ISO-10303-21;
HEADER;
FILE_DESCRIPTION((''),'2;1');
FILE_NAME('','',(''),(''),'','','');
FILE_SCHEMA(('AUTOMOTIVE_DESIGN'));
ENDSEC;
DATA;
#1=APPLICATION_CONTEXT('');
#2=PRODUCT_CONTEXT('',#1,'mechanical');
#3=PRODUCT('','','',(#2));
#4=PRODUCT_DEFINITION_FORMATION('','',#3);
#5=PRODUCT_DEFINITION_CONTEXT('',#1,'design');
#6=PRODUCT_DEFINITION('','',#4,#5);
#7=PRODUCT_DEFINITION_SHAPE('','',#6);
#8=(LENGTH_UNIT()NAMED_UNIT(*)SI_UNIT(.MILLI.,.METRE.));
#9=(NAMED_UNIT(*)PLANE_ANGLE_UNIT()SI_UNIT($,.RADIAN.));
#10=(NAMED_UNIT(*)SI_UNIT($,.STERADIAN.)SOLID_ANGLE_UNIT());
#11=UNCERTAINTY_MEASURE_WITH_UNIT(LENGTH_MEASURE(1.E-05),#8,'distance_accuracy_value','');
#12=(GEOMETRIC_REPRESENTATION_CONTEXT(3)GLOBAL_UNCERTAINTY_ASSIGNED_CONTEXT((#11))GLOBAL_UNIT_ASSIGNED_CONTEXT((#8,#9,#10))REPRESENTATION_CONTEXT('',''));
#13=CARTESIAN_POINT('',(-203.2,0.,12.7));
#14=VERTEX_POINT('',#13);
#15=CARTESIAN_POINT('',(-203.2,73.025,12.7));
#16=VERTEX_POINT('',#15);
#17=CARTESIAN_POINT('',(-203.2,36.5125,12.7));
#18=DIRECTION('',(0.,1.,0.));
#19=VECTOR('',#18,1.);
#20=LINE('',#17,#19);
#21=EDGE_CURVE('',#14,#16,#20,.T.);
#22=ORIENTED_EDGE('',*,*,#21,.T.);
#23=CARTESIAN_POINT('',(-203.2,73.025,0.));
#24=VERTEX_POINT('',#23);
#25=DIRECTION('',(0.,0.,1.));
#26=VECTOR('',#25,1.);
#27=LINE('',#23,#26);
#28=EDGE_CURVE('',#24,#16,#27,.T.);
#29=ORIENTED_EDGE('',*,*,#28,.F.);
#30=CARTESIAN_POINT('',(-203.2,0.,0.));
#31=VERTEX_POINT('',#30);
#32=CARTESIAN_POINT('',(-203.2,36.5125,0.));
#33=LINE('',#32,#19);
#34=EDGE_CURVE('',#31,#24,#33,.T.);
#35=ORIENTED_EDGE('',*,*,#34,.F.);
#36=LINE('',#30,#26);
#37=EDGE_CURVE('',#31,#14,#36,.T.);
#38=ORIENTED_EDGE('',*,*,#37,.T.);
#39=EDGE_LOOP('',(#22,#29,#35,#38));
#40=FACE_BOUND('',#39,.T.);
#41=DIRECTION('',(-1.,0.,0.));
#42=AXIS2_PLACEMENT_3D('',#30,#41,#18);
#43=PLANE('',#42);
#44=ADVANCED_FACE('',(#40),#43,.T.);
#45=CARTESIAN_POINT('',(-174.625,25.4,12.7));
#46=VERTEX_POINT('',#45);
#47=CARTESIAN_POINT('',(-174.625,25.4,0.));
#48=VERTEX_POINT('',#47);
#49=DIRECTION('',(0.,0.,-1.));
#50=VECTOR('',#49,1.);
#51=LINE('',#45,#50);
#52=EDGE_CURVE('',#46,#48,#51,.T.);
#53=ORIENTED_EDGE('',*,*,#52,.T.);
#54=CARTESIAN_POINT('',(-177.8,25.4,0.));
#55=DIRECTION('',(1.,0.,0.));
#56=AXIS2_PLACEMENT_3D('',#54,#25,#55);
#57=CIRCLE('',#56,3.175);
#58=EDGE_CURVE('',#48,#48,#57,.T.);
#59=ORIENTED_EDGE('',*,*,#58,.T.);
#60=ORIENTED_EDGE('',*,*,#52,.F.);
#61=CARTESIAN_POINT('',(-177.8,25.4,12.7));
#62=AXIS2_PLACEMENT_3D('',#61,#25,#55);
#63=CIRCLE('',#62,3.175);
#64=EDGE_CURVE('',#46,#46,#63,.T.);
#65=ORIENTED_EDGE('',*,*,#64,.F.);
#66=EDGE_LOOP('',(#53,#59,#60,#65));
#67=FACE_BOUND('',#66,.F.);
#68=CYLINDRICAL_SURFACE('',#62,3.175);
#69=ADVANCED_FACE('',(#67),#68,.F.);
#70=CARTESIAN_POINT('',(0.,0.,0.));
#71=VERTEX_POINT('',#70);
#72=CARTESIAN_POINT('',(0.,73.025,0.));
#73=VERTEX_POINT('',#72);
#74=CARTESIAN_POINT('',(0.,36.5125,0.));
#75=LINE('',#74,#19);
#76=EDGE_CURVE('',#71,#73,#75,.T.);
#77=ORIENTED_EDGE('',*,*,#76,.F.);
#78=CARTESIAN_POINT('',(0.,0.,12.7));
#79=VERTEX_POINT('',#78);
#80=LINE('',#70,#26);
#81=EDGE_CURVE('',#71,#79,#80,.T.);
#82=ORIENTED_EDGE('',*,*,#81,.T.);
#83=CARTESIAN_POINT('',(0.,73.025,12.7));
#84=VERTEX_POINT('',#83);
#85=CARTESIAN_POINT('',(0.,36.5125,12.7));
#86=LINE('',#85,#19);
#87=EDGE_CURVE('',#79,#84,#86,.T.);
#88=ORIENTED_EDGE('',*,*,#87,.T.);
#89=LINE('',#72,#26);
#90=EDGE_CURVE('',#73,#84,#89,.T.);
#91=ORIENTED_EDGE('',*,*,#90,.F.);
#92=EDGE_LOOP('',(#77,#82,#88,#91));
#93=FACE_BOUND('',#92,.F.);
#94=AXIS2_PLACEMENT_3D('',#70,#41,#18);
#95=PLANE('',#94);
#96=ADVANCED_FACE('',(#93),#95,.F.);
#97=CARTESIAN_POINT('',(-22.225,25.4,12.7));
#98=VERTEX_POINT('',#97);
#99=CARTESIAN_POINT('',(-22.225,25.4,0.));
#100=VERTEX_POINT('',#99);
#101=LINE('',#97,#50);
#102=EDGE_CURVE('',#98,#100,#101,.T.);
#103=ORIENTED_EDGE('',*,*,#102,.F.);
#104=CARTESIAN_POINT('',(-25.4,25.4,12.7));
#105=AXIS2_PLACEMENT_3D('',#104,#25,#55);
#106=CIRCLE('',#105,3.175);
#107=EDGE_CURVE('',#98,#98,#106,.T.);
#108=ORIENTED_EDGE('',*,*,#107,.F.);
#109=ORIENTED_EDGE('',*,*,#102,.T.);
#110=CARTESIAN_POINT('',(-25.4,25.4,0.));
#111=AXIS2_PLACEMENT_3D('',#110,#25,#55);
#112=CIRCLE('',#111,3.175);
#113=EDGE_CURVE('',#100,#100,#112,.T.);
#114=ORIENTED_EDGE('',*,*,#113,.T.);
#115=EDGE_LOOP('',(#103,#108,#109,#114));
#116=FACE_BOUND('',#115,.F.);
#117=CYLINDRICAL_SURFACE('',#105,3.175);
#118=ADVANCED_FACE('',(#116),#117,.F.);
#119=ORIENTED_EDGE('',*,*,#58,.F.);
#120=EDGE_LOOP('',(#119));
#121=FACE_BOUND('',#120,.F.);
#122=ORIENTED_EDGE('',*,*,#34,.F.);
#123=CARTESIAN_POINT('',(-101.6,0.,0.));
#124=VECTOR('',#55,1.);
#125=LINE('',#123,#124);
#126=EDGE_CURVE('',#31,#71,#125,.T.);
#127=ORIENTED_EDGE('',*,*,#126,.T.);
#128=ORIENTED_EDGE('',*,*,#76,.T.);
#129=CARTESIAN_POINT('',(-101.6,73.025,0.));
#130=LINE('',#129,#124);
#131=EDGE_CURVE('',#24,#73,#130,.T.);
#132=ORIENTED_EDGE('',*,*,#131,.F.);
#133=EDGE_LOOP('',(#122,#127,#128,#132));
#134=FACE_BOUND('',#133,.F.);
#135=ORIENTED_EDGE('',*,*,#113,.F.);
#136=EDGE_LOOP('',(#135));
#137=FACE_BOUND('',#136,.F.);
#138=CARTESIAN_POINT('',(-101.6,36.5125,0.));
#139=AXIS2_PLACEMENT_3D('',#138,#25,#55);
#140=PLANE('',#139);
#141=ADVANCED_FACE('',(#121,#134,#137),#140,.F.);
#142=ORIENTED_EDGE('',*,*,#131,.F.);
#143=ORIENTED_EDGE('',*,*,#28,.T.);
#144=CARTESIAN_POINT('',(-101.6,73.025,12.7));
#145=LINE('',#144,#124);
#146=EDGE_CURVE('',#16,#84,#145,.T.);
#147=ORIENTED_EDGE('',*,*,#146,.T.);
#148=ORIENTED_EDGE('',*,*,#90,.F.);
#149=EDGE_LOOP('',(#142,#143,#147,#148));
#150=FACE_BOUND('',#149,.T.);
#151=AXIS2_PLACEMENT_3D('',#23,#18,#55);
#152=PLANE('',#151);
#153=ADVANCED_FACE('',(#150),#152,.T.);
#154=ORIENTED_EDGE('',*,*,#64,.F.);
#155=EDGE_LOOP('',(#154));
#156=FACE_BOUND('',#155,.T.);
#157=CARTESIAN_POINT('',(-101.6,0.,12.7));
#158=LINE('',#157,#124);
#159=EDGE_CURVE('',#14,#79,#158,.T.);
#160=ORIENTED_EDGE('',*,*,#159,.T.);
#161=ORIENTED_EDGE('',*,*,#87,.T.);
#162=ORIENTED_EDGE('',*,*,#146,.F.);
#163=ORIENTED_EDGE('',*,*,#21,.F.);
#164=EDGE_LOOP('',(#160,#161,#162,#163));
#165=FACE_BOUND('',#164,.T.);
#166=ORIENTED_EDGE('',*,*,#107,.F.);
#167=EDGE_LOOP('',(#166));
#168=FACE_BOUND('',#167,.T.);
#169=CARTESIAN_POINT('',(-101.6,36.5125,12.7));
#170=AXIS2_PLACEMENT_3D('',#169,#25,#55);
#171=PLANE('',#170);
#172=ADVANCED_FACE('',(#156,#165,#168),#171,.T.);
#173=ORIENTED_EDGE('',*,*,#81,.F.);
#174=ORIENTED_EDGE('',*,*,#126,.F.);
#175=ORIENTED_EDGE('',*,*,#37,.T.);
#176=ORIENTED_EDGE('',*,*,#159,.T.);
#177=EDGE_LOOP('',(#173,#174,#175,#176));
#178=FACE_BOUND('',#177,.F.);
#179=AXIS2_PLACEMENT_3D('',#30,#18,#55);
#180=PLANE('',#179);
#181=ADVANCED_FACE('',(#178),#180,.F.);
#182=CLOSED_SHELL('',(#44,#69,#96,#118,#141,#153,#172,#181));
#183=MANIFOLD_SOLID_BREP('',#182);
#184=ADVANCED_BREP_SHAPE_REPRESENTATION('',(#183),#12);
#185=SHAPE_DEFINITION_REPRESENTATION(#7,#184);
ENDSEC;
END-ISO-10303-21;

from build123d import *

# Parameters (mm, degrees)
F0_W     = 203.2
F0_H     = 73.025
F1_DEPTH = 12.7
F3_DEPTH = 25.4


with BuildPart() as f1:
    # F0 (on Top) → F1 (new body)
    with BuildSketch(Plane.XY):
        with Locations((-101.6, 36.5125)):
            Rectangle(F0_W, F0_H)
    extrude(amount=F1_DEPTH)

    # F2 (on face) → F3 (cut)
    with BuildSketch(Plane.XY.offset(12.7)):
        with BuildLine():
            Line((-177.8, 25.4), (-180.975, 25.4))
            ThreePointArc((-180.975, 25.4), (-177.8, 22.225), (-174.625, 25.4))
            Line((-174.625, 25.4), (-177.8, 25.4))
        make_face()
        with BuildLine():
            ThreePointArc((-174.625, 25.4), (-177.8, 28.575), (-180.975, 25.4))
            Line((-180.975, 25.4), (-177.8, 25.4))
            Line((-177.8, 25.4), (-174.625, 25.4))
        make_face()
        with BuildLine():
            ThreePointArc((-28.575, 25.4), (-25.4, 22.225), (-22.225, 25.4))
            Line((-22.225, 25.4), (-25.4, 25.4))
            Line((-25.4, 25.4), (-28.575, 25.4))
        make_face()
        with BuildLine():
            Line((-25.4, 25.4), (-22.225, 25.4))
            ThreePointArc((-22.225, 25.4), (-25.4, 28.575), (-28.575, 25.4))
            Line((-28.575, 25.4), (-25.4, 25.4))
        make_face()
    extrude(amount=-F3_DEPTH, mode=Mode.SUBTRACT)


solid = f1.part
